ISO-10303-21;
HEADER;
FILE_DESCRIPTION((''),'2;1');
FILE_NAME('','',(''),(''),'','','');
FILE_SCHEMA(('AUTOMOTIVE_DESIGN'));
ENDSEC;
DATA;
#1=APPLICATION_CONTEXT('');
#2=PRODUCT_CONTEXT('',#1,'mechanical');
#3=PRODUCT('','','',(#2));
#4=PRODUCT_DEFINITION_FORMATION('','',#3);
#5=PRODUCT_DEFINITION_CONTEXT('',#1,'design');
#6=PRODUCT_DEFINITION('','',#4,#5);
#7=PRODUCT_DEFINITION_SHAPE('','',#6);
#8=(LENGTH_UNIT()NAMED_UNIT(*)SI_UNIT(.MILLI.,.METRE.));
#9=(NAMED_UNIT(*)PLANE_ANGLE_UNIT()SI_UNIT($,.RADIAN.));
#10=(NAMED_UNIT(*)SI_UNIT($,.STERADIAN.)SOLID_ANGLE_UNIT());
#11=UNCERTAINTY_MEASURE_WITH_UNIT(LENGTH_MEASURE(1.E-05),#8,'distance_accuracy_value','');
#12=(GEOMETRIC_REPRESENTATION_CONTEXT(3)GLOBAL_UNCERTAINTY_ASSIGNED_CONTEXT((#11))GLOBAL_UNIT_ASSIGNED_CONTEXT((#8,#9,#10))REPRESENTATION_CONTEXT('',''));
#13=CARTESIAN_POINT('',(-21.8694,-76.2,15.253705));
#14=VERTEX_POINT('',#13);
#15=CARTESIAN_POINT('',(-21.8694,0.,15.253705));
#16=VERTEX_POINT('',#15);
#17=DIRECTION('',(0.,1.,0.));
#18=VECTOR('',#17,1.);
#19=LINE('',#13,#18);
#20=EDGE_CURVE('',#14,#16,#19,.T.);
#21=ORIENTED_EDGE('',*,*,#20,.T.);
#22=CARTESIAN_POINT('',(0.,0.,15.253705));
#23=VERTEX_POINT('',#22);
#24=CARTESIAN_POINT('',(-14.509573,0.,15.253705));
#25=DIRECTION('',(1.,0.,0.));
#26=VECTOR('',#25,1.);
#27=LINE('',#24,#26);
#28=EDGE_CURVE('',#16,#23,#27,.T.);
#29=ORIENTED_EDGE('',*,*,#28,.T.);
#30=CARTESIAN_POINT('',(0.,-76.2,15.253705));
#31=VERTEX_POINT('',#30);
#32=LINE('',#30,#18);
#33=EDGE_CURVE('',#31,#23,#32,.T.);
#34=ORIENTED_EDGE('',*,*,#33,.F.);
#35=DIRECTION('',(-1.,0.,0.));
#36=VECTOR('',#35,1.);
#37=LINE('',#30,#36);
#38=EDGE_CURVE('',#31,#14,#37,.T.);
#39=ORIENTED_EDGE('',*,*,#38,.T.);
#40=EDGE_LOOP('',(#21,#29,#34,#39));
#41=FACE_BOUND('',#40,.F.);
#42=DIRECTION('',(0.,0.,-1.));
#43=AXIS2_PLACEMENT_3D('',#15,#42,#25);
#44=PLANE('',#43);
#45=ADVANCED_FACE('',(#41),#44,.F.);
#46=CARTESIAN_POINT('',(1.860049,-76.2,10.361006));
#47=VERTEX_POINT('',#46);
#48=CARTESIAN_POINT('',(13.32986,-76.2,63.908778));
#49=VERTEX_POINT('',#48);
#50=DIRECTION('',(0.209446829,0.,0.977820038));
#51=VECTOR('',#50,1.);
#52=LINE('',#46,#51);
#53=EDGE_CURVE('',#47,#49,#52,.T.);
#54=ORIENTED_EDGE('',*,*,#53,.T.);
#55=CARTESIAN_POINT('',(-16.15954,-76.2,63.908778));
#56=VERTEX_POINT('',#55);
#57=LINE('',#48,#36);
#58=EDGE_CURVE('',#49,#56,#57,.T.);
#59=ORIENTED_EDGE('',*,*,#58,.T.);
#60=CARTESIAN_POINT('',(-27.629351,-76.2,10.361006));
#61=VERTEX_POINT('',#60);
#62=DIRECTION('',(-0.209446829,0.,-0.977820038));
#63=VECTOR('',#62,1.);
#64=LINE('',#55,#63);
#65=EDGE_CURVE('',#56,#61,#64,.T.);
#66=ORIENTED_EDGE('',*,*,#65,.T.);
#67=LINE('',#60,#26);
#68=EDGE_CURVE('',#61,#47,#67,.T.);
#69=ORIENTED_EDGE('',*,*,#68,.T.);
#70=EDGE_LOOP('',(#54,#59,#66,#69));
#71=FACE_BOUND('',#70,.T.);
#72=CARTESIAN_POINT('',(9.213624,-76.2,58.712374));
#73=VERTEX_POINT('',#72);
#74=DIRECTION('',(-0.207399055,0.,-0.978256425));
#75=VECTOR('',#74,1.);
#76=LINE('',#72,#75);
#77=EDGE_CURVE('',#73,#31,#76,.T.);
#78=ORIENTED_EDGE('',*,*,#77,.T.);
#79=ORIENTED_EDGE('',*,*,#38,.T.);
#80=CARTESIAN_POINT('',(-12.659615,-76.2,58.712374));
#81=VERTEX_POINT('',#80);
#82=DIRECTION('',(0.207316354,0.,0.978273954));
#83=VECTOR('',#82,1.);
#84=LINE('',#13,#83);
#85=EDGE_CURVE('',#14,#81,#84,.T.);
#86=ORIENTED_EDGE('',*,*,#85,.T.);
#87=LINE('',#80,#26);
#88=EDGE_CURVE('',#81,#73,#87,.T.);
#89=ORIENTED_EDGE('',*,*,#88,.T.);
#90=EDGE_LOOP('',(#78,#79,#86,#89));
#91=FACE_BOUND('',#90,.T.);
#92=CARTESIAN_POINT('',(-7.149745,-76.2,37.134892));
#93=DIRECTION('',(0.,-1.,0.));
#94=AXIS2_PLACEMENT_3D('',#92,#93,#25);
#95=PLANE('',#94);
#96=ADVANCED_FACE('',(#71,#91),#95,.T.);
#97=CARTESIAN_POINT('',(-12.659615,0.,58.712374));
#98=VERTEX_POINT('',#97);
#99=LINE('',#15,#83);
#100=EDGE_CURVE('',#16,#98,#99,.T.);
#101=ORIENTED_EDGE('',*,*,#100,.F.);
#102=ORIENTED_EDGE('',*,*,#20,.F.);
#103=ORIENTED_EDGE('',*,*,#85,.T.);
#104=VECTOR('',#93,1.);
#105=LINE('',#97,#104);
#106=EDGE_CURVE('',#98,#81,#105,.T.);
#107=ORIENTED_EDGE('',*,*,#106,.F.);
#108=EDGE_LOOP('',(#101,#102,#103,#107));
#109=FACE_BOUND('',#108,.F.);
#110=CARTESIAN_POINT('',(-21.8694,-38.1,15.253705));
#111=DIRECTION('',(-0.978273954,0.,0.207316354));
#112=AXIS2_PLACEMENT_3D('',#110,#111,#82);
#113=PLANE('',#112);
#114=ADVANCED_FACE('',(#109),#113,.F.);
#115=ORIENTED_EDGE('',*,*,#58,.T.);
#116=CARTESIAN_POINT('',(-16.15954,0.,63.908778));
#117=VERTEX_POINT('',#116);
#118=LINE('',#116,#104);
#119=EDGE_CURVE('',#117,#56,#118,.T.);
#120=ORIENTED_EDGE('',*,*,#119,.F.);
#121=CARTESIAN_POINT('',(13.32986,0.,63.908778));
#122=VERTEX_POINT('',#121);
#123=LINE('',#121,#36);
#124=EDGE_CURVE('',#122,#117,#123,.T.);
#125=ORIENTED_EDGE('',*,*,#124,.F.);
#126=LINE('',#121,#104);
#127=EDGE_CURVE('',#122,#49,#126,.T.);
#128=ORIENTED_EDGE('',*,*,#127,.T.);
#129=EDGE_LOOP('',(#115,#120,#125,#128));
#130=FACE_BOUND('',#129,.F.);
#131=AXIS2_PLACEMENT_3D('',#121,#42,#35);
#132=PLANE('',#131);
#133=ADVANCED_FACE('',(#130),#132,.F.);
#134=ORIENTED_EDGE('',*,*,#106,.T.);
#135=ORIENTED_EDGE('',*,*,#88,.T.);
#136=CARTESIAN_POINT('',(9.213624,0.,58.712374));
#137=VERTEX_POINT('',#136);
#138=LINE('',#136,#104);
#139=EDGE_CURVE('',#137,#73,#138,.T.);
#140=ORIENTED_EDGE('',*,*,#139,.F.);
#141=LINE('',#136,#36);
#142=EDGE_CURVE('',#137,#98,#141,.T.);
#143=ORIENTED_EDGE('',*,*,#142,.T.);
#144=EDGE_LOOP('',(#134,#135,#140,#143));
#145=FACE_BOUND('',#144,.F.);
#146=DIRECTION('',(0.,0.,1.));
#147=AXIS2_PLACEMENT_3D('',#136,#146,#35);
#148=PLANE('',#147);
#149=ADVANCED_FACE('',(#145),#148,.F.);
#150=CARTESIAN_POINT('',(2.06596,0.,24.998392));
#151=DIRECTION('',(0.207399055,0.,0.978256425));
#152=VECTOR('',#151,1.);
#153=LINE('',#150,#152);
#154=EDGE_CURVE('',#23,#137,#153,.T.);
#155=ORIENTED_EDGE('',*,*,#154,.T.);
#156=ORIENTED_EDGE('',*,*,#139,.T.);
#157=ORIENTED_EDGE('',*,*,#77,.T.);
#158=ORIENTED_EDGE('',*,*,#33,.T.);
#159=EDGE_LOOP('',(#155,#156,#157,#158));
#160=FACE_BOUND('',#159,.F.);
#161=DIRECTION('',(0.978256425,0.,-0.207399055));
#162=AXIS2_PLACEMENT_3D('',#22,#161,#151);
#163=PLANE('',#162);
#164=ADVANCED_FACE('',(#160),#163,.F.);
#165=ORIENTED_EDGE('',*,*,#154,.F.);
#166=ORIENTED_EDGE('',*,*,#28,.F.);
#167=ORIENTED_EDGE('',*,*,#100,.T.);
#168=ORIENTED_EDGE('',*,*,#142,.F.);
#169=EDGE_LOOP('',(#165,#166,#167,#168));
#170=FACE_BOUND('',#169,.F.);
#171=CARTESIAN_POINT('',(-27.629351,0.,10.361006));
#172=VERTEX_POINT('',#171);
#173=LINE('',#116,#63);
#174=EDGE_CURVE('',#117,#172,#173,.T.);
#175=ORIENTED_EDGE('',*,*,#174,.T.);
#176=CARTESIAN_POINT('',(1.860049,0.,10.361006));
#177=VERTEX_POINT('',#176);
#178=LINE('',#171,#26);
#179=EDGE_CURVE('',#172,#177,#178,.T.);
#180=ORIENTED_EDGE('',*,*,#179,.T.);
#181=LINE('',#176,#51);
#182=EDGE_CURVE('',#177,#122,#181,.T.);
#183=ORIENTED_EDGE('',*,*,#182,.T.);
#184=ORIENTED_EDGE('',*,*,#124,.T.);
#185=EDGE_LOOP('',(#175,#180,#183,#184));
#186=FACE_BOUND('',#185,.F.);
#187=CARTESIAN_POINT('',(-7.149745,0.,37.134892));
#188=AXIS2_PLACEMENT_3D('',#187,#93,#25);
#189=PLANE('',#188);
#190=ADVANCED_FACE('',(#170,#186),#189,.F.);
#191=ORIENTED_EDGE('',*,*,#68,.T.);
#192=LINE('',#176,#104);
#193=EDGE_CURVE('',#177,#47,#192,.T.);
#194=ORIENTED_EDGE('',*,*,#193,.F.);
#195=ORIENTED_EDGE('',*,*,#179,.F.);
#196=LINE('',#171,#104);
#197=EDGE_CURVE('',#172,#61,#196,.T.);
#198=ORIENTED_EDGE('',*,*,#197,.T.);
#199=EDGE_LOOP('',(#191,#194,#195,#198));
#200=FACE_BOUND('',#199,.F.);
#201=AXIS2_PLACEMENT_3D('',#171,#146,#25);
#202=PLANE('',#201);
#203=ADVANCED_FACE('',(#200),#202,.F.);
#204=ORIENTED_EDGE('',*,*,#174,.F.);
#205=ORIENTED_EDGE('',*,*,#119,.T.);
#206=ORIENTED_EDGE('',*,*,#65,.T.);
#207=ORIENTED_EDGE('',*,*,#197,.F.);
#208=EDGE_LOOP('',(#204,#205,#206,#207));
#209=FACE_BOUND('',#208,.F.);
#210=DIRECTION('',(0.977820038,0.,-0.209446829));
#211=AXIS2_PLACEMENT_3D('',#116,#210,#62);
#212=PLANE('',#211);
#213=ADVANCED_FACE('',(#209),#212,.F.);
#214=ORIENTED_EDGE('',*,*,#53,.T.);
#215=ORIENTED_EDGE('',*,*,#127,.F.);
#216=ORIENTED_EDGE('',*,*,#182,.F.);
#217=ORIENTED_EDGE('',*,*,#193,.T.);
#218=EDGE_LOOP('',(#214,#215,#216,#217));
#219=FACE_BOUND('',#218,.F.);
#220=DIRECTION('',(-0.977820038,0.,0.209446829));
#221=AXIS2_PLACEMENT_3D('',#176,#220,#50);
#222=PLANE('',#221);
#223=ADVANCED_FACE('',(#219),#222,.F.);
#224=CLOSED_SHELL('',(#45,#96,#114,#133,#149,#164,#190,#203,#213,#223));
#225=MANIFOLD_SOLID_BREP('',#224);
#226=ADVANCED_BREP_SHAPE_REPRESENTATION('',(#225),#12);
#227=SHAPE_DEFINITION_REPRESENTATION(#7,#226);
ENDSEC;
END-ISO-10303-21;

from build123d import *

# Parameters (mm, degrees)
F1_DEPTH = 76.2
F3_DEPTH = 38.1
F4_DEPTH = 38.1


with BuildPart() as f1:
    # F0 (on Front) → F1 (new body)
    with BuildSketch(Plane.XZ):
        Polygon((13.32986, 63.908778), (-16.15954, 63.908778), (-27.629351, 10.361006), (1.860049, 10.361006), align=None)
    extrude(amount=F1_DEPTH)

    # F2 (on Front) → F3 (cut, symmetric)
    with BuildSketch(Plane.XZ):
        Polygon((9.213624, 58.712374), (-12.659614, 58.712374), (-21.8694, 15.253705), (0, 15.253705), align=None)
    extrude(amount=F3_DEPTH, both=True, mode=Mode.SUBTRACT)

    # F3_face (on face) → F4 (cut, symmetric)
    with BuildSketch(Plane(origin=(-6.328713, -38.1, 36.983675), x_dir=(1, 0, 0), z_dir=(0, 1, 0))):
        Polygon((15.542337, -21.728699), (6.328713, 21.72997), (-15.540687, 21.72997), (-6.330902, -21.728699), align=None)
    extrude(amount=F4_DEPTH, both=True, mode=Mode.SUBTRACT)


solid = f1.part
